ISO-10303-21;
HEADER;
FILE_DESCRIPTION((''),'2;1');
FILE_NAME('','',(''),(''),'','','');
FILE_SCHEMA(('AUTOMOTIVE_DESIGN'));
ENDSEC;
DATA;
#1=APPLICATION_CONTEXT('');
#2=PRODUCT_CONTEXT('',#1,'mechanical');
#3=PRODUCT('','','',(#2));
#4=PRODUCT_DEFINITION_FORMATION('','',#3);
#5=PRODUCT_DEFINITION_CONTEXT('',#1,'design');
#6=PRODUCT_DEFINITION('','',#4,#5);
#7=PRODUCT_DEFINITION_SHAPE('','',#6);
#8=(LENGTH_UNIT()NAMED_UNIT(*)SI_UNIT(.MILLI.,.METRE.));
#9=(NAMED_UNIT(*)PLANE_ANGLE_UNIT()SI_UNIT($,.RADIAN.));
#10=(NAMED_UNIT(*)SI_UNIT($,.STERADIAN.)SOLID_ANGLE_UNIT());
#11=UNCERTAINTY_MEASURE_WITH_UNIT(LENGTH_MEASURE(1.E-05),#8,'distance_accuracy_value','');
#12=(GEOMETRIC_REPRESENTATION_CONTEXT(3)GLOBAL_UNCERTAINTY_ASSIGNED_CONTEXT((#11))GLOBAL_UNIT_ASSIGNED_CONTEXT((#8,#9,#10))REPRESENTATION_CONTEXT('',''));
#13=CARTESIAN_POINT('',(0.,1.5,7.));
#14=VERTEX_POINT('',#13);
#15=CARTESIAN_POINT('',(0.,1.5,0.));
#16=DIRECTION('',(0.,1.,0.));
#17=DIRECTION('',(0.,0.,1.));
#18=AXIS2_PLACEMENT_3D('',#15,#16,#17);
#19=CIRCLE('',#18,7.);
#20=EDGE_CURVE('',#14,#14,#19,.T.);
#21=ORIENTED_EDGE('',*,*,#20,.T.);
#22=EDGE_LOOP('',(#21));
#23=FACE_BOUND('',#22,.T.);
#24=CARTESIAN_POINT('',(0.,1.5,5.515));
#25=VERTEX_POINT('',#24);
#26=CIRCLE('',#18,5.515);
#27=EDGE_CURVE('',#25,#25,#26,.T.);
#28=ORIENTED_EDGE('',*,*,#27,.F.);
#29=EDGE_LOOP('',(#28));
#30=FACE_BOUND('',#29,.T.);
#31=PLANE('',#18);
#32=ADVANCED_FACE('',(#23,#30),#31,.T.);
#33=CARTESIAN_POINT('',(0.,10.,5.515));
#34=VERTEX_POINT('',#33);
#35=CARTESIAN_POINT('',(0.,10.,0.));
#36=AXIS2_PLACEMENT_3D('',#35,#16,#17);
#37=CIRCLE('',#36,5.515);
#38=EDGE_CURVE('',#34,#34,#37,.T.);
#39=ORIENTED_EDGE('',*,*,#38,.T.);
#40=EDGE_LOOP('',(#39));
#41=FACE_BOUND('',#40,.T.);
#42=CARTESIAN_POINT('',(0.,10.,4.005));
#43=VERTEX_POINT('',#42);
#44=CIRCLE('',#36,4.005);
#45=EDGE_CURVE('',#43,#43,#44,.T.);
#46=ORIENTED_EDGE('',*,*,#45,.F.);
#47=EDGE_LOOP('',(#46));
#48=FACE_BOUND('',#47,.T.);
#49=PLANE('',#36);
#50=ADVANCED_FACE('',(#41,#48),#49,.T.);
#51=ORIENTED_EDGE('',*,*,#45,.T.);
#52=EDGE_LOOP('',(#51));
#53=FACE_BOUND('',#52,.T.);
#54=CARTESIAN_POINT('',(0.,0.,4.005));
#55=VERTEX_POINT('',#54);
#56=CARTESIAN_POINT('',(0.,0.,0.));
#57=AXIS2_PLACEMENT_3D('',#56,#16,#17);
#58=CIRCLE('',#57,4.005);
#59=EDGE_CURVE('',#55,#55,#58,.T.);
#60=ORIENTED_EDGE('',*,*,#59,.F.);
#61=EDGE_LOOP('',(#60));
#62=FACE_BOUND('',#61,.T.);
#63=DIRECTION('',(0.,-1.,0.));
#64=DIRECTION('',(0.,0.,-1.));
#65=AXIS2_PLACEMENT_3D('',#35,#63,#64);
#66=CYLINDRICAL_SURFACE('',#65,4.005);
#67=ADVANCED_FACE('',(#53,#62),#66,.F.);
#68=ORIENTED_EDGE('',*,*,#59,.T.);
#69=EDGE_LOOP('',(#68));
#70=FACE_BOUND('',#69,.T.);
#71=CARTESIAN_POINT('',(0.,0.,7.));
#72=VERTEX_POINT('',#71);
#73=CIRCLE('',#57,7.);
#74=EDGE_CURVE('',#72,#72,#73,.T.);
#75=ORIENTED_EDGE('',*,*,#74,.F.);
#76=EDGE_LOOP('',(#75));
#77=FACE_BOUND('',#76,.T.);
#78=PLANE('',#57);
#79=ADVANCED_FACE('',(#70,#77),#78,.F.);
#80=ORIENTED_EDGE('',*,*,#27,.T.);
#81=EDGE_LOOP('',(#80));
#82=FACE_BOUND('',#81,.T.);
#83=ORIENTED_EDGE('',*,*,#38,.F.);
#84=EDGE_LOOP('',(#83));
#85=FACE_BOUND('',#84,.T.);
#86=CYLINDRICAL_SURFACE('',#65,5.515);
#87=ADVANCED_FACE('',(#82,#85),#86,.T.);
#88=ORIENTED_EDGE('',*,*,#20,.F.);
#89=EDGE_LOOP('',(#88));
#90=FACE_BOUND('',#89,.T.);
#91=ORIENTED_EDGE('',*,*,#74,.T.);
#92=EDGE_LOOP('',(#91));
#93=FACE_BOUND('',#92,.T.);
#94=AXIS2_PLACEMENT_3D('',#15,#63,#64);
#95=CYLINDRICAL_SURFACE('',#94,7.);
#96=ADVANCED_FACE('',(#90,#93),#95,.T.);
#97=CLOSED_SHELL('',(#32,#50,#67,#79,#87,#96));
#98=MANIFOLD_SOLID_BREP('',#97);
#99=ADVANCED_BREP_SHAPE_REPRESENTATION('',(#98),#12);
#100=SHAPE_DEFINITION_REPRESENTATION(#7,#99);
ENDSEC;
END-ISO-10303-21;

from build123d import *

# Parameters (mm, degrees)
SKETCH2_R           = 5.515
SKETCH2_R_2         = 4.005
BOSS_EXTRUDE1_DEPTH = 10
SKETCH3_R           = 7
SKETCH3_R_2         = 5.515
BOSS_EXTRUDE2_DEPTH = 1.5


with BuildPart() as part:
    # Sketch2 → Boss-Extrude1 (new body)
    with BuildSketch(Plane(origin=(0, 0, 0), x_dir=(1, 0, 0), z_dir=(0, 1, 0))):
        Circle(SKETCH2_R)
        Circle(SKETCH2_R_2, mode=Mode.SUBTRACT)
    extrude(amount=BOSS_EXTRUDE1_DEPTH)

    # Sketch3 → Boss-Extrude2 (add)
    with BuildSketch(Plane(origin=(0, 0, 0), x_dir=(1, 0, 0), z_dir=(0, 1, 0))):
        Circle(SKETCH3_R)
        Circle(SKETCH3_R_2, mode=Mode.SUBTRACT)
    extrude(amount=BOSS_EXTRUDE2_DEPTH)


solid = part.part
